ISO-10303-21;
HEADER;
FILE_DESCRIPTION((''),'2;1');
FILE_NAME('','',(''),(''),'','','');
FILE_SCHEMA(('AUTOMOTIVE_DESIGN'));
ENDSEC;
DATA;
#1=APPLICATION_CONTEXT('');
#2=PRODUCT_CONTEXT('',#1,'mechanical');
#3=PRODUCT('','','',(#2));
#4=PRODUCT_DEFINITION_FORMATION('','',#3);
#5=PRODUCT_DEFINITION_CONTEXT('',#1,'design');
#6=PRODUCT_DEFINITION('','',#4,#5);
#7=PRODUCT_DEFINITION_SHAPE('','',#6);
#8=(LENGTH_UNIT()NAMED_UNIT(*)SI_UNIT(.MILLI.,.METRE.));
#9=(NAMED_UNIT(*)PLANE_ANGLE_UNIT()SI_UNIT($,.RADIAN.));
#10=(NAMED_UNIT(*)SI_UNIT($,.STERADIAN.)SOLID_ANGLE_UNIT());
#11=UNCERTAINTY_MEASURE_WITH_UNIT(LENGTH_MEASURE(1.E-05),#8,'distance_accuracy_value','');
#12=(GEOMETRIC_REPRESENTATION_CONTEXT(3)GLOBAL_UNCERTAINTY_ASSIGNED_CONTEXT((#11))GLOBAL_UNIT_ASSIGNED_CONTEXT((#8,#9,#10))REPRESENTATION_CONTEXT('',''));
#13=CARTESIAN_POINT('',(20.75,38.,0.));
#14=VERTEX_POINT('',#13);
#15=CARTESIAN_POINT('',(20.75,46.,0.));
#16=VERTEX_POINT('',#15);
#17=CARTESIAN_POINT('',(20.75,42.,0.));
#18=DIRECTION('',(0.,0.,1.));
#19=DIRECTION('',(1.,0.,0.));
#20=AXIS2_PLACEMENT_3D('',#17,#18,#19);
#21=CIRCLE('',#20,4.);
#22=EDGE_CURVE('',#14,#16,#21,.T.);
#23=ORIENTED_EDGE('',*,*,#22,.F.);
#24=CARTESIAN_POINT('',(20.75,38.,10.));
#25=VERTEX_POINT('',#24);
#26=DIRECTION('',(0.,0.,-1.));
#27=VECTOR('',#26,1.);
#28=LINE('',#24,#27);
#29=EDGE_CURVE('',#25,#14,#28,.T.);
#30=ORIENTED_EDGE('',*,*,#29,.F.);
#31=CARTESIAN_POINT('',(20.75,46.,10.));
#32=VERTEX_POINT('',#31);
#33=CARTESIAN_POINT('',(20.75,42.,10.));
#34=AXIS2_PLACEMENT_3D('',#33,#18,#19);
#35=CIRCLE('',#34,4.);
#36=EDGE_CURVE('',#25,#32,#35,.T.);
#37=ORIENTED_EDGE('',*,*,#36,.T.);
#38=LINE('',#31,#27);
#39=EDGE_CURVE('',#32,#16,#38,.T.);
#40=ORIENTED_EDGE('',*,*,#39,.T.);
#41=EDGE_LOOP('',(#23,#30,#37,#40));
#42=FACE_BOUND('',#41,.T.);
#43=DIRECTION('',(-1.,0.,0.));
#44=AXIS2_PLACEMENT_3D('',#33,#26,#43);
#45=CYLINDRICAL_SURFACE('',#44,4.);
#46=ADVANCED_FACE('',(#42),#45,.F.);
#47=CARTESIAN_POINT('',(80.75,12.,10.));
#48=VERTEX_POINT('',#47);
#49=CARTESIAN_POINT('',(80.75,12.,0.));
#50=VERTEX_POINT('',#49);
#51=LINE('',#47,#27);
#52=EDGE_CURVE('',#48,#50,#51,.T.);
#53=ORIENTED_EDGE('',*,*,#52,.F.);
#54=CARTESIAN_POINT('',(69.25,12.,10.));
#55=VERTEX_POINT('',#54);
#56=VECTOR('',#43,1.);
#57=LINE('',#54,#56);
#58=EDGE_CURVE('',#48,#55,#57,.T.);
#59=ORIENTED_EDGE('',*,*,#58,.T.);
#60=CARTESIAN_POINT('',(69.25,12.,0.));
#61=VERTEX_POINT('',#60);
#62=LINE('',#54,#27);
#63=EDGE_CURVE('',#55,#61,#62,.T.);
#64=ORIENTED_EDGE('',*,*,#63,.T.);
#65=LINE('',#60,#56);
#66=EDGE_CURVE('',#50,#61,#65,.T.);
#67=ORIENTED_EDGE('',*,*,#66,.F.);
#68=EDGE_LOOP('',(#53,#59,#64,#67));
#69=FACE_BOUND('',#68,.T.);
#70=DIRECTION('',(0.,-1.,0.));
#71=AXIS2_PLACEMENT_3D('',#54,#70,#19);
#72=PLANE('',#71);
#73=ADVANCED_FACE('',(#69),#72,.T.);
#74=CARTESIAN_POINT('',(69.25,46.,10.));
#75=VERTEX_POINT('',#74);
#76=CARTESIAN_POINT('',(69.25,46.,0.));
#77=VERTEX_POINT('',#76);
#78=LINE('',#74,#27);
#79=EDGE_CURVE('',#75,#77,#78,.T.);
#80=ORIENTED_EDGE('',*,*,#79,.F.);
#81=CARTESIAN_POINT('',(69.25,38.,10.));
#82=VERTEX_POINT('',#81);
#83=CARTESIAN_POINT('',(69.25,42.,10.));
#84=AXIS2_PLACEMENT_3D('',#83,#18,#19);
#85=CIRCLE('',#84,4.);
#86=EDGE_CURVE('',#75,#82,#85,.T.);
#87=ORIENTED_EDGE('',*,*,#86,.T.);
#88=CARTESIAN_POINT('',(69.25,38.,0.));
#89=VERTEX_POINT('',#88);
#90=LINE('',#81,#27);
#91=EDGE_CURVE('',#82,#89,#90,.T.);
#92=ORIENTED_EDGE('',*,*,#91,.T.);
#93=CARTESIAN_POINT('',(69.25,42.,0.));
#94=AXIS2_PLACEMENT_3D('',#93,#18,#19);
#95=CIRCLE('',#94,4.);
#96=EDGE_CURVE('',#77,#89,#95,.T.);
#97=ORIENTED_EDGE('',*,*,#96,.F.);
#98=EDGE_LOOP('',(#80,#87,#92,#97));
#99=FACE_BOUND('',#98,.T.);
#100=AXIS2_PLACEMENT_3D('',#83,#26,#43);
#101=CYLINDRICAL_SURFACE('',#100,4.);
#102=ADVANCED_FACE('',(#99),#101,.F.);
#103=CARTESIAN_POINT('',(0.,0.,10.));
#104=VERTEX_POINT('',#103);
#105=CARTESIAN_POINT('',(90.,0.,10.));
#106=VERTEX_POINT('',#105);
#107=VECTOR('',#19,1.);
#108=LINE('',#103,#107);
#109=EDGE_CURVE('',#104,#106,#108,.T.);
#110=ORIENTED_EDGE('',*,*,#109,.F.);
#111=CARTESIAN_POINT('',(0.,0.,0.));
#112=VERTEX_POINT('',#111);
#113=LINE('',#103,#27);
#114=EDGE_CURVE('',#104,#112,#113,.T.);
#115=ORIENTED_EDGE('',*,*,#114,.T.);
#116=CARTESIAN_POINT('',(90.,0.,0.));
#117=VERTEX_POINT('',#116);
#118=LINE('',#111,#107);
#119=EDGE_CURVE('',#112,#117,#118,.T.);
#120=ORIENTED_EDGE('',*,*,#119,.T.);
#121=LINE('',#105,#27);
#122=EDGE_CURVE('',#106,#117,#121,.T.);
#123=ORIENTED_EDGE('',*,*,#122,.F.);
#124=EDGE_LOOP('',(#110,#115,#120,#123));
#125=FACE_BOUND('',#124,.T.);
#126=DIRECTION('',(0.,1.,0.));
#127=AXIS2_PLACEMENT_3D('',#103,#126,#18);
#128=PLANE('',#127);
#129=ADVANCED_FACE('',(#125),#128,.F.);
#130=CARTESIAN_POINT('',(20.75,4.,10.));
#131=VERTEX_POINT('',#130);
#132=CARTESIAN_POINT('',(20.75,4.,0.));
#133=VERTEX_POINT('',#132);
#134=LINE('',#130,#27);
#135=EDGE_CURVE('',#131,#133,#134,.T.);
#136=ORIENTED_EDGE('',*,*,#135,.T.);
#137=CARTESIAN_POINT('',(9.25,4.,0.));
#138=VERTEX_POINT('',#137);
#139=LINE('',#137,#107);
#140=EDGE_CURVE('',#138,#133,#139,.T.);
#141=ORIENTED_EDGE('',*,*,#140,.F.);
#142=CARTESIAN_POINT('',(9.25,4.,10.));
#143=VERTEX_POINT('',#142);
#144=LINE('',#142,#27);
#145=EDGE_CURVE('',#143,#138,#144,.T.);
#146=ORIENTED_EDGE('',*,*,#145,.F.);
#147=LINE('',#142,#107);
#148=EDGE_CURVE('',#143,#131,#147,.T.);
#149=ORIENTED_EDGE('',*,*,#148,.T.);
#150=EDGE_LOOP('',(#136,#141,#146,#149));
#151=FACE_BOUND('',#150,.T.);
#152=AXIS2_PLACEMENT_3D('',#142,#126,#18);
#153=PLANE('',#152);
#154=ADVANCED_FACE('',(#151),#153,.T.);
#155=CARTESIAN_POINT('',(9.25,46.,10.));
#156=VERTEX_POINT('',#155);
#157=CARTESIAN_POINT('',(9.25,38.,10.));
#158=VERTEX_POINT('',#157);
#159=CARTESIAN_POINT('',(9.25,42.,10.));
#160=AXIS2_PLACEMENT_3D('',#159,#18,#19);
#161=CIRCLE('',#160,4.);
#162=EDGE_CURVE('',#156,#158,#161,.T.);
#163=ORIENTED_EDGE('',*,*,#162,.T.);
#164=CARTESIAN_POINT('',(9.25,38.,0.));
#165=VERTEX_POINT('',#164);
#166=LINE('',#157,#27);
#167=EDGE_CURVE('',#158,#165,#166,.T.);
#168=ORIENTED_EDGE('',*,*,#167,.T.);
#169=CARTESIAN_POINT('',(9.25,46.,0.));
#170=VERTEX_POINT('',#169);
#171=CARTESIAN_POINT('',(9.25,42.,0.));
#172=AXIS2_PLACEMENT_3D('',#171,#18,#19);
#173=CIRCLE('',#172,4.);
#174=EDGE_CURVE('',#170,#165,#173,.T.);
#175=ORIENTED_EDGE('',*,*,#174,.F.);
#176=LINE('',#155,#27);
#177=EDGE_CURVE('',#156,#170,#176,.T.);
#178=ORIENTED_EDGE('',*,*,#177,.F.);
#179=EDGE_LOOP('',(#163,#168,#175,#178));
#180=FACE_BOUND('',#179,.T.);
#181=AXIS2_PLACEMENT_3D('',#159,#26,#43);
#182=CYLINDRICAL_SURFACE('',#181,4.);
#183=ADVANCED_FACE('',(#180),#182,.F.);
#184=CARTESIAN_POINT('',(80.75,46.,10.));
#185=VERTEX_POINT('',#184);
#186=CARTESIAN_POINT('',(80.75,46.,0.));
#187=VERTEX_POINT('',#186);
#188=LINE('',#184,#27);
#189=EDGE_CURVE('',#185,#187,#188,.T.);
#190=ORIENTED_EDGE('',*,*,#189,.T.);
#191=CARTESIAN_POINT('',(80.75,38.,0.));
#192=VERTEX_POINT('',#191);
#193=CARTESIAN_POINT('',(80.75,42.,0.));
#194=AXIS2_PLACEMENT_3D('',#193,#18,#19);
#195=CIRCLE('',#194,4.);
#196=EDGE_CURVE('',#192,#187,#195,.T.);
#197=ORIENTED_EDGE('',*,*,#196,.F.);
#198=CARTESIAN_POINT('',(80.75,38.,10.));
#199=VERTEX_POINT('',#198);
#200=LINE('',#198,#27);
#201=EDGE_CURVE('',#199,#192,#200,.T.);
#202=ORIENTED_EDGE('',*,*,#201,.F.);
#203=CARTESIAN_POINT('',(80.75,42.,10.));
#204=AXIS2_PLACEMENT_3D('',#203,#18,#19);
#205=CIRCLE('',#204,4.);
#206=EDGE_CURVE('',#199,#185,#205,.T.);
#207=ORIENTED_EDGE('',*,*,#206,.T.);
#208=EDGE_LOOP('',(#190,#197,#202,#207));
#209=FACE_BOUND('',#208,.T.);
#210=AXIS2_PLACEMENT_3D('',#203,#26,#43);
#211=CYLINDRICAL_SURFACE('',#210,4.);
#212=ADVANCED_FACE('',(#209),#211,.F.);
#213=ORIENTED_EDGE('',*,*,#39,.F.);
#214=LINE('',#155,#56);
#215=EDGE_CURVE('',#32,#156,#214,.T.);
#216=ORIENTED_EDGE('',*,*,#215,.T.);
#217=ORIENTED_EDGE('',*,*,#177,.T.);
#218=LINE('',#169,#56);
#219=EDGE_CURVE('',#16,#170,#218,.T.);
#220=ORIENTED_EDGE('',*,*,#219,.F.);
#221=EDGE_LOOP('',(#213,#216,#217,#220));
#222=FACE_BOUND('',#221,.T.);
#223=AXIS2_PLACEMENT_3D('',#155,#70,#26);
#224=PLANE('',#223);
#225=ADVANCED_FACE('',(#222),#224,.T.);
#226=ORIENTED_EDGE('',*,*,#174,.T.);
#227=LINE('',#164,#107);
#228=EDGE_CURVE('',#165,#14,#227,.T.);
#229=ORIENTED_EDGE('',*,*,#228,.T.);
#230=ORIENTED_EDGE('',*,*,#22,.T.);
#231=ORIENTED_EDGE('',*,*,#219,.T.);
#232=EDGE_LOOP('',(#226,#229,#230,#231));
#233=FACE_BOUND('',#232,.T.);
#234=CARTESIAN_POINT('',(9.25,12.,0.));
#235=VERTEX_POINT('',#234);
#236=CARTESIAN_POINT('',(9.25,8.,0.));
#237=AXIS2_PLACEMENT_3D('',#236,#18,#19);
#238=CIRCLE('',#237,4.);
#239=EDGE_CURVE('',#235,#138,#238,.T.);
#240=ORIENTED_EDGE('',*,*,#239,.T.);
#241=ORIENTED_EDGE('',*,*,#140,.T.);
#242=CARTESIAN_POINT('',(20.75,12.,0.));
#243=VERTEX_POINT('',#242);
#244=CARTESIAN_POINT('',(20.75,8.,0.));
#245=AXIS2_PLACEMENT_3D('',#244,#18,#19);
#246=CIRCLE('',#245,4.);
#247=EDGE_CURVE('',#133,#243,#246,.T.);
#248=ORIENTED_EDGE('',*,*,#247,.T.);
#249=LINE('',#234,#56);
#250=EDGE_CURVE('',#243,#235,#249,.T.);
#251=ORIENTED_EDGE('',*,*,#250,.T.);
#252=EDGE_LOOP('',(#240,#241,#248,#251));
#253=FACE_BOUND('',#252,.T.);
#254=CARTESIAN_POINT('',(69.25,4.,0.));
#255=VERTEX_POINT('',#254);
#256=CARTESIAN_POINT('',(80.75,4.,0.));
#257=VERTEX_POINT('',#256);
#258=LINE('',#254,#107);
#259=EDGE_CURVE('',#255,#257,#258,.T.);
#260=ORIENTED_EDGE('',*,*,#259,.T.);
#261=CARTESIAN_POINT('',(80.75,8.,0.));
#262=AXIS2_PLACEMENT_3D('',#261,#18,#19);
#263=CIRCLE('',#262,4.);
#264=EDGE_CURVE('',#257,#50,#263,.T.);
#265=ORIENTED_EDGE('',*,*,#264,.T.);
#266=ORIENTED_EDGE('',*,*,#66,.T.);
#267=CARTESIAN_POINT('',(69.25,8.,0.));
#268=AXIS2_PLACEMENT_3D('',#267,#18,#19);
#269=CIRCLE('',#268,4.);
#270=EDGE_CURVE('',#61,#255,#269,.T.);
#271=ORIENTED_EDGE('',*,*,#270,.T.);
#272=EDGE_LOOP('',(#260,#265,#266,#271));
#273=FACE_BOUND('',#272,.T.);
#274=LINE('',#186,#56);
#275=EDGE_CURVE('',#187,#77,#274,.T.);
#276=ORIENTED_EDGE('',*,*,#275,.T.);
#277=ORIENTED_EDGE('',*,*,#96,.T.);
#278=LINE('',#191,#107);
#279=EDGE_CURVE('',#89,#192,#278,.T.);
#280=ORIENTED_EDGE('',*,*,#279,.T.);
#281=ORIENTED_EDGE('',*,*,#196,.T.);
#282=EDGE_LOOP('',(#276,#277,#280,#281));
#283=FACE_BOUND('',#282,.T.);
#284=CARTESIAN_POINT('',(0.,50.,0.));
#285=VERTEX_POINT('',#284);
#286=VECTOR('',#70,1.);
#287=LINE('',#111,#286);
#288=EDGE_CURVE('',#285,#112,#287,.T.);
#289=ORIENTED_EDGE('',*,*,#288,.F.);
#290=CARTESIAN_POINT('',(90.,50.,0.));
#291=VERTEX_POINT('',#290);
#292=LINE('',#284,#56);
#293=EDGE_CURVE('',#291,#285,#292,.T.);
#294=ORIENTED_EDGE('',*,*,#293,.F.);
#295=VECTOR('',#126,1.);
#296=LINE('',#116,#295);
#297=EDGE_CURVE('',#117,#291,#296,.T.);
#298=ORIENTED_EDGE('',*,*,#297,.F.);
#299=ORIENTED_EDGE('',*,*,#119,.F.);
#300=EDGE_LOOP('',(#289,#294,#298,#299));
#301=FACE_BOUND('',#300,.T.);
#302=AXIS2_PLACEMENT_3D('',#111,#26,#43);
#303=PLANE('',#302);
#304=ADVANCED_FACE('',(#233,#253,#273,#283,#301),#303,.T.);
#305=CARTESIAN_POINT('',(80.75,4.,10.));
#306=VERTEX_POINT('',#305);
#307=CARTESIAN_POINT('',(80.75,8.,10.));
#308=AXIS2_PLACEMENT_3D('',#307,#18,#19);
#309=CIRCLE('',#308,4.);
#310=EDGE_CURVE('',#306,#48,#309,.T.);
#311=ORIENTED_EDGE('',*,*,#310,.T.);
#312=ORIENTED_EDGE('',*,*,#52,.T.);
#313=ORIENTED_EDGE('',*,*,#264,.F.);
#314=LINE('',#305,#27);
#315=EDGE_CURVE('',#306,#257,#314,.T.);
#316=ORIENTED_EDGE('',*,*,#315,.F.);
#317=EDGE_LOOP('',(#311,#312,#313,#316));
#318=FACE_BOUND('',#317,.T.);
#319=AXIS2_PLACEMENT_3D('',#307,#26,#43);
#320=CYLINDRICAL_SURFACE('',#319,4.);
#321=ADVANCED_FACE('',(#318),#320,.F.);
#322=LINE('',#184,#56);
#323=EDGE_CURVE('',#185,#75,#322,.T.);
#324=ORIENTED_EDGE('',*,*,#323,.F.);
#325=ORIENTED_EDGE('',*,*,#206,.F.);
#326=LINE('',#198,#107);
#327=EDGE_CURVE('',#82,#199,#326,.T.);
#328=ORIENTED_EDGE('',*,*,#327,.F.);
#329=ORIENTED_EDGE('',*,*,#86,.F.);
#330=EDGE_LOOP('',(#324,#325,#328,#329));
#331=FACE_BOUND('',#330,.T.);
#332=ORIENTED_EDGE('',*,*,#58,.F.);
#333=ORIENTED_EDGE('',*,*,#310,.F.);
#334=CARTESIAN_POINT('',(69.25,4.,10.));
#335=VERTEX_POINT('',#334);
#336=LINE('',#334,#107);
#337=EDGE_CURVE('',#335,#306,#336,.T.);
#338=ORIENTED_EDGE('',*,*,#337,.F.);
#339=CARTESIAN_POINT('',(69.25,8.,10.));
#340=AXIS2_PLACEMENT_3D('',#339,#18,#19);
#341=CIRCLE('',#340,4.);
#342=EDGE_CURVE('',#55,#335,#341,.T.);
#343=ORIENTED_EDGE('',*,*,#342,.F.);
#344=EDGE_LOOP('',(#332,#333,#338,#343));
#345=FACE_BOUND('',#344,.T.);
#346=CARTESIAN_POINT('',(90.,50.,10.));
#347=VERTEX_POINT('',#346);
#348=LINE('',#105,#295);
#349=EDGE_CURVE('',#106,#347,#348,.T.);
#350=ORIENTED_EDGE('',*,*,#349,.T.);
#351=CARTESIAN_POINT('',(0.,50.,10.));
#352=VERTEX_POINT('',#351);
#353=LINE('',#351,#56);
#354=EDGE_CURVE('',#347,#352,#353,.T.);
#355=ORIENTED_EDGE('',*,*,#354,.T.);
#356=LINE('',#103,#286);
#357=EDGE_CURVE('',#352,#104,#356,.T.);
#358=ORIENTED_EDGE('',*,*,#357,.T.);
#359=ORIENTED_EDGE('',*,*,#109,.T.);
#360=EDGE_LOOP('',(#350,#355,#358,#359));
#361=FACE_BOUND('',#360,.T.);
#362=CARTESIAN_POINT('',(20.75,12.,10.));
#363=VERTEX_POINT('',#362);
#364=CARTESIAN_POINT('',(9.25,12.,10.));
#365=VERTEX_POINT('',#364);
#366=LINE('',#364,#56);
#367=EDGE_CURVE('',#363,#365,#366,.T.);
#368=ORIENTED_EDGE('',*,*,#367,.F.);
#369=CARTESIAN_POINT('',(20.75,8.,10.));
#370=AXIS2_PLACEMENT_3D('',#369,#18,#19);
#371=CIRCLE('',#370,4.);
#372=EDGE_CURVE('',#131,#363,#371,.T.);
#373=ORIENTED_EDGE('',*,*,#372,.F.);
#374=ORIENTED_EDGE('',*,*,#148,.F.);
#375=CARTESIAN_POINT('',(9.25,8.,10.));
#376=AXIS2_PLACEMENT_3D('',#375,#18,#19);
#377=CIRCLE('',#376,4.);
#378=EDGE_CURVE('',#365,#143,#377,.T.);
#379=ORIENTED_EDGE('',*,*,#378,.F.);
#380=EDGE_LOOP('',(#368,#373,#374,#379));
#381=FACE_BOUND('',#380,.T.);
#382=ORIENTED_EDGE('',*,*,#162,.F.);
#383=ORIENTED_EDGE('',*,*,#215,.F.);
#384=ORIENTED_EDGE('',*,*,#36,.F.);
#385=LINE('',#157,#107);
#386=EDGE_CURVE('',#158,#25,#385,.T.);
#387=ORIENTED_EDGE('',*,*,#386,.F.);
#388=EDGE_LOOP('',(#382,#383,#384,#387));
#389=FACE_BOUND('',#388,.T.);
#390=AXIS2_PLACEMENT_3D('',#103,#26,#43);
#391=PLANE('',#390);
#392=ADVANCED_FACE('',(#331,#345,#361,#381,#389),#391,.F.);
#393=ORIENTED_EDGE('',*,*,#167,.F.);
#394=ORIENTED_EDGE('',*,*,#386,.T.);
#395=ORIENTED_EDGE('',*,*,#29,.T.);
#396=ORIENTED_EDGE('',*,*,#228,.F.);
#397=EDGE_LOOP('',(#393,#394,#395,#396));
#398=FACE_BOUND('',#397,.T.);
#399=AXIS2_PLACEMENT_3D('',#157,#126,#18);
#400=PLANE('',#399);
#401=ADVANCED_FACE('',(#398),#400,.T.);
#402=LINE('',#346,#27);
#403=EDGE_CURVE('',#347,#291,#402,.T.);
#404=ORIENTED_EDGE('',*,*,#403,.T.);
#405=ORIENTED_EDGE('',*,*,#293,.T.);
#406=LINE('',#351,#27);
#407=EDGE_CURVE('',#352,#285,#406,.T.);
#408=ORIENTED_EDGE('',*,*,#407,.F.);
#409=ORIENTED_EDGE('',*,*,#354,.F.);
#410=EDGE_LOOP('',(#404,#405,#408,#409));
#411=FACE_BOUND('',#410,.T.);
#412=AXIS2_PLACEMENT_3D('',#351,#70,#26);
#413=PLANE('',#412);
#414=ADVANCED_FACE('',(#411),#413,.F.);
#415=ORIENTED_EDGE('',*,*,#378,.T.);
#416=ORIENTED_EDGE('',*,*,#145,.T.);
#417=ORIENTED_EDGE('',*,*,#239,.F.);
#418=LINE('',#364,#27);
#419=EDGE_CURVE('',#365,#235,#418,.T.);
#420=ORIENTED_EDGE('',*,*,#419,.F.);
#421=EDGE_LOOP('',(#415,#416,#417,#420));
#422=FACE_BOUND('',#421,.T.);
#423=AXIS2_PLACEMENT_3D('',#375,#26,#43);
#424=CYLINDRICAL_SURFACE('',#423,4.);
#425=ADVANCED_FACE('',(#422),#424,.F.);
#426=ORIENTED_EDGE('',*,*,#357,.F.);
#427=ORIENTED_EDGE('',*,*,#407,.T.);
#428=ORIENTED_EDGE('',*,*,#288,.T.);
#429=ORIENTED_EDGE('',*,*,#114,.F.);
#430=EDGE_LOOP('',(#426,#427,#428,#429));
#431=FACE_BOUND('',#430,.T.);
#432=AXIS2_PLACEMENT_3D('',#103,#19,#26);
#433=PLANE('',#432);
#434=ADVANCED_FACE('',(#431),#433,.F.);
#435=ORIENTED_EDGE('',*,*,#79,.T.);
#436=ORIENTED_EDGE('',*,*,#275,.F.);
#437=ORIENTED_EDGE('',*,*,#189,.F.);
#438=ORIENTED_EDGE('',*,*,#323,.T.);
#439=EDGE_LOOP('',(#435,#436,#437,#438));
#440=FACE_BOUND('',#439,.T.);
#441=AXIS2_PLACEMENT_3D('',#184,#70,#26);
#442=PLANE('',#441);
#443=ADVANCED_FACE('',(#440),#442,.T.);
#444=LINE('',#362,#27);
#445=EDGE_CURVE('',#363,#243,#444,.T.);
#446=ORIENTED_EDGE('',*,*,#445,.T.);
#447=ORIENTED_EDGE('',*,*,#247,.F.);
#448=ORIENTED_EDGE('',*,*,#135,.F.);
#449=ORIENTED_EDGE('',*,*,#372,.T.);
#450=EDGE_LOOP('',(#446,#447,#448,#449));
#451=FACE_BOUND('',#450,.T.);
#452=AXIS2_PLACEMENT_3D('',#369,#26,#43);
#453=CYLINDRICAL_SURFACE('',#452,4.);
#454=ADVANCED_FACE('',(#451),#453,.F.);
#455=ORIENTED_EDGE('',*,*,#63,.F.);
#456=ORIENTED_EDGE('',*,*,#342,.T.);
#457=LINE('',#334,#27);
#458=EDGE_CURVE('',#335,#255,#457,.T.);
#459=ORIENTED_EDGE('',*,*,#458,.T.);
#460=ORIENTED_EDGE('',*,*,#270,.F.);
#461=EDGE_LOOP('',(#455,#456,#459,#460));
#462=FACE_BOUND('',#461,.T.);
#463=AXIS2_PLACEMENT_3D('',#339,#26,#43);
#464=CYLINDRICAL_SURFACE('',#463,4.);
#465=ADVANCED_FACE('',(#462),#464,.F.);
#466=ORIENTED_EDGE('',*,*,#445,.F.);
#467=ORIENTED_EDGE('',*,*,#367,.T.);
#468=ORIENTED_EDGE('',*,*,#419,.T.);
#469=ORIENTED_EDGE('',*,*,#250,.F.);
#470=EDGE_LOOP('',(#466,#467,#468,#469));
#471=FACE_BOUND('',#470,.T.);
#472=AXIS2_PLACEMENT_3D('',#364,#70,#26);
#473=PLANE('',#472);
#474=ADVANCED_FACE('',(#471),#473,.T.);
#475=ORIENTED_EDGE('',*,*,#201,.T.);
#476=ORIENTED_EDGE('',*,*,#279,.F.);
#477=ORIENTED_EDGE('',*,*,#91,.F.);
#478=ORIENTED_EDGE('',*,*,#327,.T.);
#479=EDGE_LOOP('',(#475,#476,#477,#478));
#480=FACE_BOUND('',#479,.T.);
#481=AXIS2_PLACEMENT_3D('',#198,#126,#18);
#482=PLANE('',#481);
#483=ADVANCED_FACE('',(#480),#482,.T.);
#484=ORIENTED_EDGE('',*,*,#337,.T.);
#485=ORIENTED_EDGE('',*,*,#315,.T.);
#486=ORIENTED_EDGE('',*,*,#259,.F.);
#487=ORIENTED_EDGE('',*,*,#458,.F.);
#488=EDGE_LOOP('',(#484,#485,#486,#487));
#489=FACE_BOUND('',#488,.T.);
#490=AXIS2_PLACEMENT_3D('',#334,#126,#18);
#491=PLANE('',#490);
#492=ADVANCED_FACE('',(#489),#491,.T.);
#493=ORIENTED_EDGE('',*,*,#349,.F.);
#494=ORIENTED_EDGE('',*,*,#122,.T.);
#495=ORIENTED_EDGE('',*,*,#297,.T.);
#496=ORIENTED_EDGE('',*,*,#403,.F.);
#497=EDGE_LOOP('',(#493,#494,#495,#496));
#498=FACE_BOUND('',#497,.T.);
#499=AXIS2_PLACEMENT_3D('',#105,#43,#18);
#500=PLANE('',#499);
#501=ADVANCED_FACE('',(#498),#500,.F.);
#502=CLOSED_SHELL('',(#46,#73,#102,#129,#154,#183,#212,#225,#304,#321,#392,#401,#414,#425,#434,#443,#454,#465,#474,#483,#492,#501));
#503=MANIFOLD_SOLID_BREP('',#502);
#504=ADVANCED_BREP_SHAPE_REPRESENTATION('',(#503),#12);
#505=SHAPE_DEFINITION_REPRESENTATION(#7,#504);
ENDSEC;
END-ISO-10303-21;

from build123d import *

# Parameters (mm, degrees)
ESBO_O3_W                = 90
ESBO_O3_H                = 50
RESSALTO_EXTRUS_O1_DEPTH = 10


with BuildPart() as part:
    # Esboço3 → Ressalto-extrusão1 (new body)
    with BuildSketch(Plane.XY):
        with Locations((45, 25)):
            Rectangle(ESBO_O3_W, ESBO_O3_H)
        with BuildLine():
            Line((9.25, 46), (20.75, 46))
            ThreePointArc((20.75, 46), (24.75, 42), (20.75, 38))
            Line((20.75, 38), (9.25, 38))
            ThreePointArc((9.25, 38), (5.25, 42), (9.25, 46))
        make_face(mode=Mode.SUBTRACT)
        with BuildLine():
            Line((80.75, 38), (69.25, 38))
            ThreePointArc((69.25, 38), (65.25, 42), (69.25, 46))
            Line((69.25, 46), (80.75, 46))
            ThreePointArc((80.75, 46), (84.75, 42), (80.75, 38))
        make_face(mode=Mode.SUBTRACT)
        with BuildLine():
            Line((9.25, 12), (20.75, 12))
            ThreePointArc((20.75, 12), (24.75, 8), (20.75, 4))
            Line((20.75, 4), (9.25, 4))
            ThreePointArc((9.25, 4), (5.25, 8), (9.25, 12))
        make_face(mode=Mode.SUBTRACT)
        with BuildLine():
            Line((69.25, 12), (80.75, 12))
            ThreePointArc((80.75, 12), (84.75, 8), (80.75, 4))
            Line((80.75, 4), (69.25, 4))
            ThreePointArc((69.25, 4), (65.25, 8), (69.25, 12))
        make_face(mode=Mode.SUBTRACT)
    extrude(amount=RESSALTO_EXTRUS_O1_DEPTH)


solid = part.part
